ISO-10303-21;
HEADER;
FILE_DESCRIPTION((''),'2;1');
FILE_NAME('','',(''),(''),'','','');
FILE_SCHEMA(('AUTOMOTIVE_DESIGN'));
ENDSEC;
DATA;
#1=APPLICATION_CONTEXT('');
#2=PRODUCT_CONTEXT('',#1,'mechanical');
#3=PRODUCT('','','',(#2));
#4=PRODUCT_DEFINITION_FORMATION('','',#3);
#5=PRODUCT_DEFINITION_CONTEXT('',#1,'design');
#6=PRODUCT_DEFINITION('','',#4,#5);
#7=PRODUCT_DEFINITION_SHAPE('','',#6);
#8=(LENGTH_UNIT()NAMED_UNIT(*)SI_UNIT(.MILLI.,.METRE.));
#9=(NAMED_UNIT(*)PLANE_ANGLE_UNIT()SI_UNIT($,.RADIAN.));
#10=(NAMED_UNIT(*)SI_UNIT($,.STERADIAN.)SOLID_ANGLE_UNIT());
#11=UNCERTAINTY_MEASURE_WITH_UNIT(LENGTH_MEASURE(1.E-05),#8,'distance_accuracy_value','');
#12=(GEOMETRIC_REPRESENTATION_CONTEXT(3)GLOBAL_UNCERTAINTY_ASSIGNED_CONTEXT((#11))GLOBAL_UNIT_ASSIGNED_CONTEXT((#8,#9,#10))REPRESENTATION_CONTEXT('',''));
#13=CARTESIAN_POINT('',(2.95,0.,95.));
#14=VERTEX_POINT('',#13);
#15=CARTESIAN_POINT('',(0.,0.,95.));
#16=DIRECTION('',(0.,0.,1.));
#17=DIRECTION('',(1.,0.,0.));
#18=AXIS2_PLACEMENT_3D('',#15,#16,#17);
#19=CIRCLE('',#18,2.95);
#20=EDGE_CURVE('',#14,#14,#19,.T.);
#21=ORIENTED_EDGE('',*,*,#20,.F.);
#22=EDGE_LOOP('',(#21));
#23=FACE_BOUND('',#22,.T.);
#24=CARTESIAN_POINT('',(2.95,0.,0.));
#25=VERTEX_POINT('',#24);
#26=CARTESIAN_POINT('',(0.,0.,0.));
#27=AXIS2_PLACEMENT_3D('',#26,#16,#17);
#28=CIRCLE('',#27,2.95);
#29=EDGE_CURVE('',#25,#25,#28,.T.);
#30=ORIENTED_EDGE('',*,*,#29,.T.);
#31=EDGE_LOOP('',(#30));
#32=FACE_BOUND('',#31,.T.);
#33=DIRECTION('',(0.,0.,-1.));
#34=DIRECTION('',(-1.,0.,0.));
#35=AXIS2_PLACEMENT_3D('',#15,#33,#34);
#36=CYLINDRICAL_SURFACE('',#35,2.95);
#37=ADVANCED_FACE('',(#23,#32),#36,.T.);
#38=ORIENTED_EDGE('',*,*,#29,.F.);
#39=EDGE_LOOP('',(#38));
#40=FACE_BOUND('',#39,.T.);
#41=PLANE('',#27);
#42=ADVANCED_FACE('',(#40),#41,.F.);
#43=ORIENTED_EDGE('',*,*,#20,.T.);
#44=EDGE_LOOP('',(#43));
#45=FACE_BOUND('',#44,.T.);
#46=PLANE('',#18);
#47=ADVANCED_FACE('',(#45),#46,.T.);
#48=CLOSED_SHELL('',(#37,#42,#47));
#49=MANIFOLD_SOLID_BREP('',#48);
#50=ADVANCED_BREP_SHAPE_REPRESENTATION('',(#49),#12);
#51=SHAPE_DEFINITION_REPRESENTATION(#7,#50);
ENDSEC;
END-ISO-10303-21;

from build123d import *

# Parameters (mm, degrees)
ESQUISSE1_R        = 2.95
BOSS_EXTRU_1_DEPTH = 95


with BuildPart() as part:
    # Esquisse1 → Boss.-Extru.1 (new body)
    with BuildSketch(Plane.XY):
        Circle(ESQUISSE1_R)
    extrude(amount=BOSS_EXTRU_1_DEPTH)


solid = part.part
